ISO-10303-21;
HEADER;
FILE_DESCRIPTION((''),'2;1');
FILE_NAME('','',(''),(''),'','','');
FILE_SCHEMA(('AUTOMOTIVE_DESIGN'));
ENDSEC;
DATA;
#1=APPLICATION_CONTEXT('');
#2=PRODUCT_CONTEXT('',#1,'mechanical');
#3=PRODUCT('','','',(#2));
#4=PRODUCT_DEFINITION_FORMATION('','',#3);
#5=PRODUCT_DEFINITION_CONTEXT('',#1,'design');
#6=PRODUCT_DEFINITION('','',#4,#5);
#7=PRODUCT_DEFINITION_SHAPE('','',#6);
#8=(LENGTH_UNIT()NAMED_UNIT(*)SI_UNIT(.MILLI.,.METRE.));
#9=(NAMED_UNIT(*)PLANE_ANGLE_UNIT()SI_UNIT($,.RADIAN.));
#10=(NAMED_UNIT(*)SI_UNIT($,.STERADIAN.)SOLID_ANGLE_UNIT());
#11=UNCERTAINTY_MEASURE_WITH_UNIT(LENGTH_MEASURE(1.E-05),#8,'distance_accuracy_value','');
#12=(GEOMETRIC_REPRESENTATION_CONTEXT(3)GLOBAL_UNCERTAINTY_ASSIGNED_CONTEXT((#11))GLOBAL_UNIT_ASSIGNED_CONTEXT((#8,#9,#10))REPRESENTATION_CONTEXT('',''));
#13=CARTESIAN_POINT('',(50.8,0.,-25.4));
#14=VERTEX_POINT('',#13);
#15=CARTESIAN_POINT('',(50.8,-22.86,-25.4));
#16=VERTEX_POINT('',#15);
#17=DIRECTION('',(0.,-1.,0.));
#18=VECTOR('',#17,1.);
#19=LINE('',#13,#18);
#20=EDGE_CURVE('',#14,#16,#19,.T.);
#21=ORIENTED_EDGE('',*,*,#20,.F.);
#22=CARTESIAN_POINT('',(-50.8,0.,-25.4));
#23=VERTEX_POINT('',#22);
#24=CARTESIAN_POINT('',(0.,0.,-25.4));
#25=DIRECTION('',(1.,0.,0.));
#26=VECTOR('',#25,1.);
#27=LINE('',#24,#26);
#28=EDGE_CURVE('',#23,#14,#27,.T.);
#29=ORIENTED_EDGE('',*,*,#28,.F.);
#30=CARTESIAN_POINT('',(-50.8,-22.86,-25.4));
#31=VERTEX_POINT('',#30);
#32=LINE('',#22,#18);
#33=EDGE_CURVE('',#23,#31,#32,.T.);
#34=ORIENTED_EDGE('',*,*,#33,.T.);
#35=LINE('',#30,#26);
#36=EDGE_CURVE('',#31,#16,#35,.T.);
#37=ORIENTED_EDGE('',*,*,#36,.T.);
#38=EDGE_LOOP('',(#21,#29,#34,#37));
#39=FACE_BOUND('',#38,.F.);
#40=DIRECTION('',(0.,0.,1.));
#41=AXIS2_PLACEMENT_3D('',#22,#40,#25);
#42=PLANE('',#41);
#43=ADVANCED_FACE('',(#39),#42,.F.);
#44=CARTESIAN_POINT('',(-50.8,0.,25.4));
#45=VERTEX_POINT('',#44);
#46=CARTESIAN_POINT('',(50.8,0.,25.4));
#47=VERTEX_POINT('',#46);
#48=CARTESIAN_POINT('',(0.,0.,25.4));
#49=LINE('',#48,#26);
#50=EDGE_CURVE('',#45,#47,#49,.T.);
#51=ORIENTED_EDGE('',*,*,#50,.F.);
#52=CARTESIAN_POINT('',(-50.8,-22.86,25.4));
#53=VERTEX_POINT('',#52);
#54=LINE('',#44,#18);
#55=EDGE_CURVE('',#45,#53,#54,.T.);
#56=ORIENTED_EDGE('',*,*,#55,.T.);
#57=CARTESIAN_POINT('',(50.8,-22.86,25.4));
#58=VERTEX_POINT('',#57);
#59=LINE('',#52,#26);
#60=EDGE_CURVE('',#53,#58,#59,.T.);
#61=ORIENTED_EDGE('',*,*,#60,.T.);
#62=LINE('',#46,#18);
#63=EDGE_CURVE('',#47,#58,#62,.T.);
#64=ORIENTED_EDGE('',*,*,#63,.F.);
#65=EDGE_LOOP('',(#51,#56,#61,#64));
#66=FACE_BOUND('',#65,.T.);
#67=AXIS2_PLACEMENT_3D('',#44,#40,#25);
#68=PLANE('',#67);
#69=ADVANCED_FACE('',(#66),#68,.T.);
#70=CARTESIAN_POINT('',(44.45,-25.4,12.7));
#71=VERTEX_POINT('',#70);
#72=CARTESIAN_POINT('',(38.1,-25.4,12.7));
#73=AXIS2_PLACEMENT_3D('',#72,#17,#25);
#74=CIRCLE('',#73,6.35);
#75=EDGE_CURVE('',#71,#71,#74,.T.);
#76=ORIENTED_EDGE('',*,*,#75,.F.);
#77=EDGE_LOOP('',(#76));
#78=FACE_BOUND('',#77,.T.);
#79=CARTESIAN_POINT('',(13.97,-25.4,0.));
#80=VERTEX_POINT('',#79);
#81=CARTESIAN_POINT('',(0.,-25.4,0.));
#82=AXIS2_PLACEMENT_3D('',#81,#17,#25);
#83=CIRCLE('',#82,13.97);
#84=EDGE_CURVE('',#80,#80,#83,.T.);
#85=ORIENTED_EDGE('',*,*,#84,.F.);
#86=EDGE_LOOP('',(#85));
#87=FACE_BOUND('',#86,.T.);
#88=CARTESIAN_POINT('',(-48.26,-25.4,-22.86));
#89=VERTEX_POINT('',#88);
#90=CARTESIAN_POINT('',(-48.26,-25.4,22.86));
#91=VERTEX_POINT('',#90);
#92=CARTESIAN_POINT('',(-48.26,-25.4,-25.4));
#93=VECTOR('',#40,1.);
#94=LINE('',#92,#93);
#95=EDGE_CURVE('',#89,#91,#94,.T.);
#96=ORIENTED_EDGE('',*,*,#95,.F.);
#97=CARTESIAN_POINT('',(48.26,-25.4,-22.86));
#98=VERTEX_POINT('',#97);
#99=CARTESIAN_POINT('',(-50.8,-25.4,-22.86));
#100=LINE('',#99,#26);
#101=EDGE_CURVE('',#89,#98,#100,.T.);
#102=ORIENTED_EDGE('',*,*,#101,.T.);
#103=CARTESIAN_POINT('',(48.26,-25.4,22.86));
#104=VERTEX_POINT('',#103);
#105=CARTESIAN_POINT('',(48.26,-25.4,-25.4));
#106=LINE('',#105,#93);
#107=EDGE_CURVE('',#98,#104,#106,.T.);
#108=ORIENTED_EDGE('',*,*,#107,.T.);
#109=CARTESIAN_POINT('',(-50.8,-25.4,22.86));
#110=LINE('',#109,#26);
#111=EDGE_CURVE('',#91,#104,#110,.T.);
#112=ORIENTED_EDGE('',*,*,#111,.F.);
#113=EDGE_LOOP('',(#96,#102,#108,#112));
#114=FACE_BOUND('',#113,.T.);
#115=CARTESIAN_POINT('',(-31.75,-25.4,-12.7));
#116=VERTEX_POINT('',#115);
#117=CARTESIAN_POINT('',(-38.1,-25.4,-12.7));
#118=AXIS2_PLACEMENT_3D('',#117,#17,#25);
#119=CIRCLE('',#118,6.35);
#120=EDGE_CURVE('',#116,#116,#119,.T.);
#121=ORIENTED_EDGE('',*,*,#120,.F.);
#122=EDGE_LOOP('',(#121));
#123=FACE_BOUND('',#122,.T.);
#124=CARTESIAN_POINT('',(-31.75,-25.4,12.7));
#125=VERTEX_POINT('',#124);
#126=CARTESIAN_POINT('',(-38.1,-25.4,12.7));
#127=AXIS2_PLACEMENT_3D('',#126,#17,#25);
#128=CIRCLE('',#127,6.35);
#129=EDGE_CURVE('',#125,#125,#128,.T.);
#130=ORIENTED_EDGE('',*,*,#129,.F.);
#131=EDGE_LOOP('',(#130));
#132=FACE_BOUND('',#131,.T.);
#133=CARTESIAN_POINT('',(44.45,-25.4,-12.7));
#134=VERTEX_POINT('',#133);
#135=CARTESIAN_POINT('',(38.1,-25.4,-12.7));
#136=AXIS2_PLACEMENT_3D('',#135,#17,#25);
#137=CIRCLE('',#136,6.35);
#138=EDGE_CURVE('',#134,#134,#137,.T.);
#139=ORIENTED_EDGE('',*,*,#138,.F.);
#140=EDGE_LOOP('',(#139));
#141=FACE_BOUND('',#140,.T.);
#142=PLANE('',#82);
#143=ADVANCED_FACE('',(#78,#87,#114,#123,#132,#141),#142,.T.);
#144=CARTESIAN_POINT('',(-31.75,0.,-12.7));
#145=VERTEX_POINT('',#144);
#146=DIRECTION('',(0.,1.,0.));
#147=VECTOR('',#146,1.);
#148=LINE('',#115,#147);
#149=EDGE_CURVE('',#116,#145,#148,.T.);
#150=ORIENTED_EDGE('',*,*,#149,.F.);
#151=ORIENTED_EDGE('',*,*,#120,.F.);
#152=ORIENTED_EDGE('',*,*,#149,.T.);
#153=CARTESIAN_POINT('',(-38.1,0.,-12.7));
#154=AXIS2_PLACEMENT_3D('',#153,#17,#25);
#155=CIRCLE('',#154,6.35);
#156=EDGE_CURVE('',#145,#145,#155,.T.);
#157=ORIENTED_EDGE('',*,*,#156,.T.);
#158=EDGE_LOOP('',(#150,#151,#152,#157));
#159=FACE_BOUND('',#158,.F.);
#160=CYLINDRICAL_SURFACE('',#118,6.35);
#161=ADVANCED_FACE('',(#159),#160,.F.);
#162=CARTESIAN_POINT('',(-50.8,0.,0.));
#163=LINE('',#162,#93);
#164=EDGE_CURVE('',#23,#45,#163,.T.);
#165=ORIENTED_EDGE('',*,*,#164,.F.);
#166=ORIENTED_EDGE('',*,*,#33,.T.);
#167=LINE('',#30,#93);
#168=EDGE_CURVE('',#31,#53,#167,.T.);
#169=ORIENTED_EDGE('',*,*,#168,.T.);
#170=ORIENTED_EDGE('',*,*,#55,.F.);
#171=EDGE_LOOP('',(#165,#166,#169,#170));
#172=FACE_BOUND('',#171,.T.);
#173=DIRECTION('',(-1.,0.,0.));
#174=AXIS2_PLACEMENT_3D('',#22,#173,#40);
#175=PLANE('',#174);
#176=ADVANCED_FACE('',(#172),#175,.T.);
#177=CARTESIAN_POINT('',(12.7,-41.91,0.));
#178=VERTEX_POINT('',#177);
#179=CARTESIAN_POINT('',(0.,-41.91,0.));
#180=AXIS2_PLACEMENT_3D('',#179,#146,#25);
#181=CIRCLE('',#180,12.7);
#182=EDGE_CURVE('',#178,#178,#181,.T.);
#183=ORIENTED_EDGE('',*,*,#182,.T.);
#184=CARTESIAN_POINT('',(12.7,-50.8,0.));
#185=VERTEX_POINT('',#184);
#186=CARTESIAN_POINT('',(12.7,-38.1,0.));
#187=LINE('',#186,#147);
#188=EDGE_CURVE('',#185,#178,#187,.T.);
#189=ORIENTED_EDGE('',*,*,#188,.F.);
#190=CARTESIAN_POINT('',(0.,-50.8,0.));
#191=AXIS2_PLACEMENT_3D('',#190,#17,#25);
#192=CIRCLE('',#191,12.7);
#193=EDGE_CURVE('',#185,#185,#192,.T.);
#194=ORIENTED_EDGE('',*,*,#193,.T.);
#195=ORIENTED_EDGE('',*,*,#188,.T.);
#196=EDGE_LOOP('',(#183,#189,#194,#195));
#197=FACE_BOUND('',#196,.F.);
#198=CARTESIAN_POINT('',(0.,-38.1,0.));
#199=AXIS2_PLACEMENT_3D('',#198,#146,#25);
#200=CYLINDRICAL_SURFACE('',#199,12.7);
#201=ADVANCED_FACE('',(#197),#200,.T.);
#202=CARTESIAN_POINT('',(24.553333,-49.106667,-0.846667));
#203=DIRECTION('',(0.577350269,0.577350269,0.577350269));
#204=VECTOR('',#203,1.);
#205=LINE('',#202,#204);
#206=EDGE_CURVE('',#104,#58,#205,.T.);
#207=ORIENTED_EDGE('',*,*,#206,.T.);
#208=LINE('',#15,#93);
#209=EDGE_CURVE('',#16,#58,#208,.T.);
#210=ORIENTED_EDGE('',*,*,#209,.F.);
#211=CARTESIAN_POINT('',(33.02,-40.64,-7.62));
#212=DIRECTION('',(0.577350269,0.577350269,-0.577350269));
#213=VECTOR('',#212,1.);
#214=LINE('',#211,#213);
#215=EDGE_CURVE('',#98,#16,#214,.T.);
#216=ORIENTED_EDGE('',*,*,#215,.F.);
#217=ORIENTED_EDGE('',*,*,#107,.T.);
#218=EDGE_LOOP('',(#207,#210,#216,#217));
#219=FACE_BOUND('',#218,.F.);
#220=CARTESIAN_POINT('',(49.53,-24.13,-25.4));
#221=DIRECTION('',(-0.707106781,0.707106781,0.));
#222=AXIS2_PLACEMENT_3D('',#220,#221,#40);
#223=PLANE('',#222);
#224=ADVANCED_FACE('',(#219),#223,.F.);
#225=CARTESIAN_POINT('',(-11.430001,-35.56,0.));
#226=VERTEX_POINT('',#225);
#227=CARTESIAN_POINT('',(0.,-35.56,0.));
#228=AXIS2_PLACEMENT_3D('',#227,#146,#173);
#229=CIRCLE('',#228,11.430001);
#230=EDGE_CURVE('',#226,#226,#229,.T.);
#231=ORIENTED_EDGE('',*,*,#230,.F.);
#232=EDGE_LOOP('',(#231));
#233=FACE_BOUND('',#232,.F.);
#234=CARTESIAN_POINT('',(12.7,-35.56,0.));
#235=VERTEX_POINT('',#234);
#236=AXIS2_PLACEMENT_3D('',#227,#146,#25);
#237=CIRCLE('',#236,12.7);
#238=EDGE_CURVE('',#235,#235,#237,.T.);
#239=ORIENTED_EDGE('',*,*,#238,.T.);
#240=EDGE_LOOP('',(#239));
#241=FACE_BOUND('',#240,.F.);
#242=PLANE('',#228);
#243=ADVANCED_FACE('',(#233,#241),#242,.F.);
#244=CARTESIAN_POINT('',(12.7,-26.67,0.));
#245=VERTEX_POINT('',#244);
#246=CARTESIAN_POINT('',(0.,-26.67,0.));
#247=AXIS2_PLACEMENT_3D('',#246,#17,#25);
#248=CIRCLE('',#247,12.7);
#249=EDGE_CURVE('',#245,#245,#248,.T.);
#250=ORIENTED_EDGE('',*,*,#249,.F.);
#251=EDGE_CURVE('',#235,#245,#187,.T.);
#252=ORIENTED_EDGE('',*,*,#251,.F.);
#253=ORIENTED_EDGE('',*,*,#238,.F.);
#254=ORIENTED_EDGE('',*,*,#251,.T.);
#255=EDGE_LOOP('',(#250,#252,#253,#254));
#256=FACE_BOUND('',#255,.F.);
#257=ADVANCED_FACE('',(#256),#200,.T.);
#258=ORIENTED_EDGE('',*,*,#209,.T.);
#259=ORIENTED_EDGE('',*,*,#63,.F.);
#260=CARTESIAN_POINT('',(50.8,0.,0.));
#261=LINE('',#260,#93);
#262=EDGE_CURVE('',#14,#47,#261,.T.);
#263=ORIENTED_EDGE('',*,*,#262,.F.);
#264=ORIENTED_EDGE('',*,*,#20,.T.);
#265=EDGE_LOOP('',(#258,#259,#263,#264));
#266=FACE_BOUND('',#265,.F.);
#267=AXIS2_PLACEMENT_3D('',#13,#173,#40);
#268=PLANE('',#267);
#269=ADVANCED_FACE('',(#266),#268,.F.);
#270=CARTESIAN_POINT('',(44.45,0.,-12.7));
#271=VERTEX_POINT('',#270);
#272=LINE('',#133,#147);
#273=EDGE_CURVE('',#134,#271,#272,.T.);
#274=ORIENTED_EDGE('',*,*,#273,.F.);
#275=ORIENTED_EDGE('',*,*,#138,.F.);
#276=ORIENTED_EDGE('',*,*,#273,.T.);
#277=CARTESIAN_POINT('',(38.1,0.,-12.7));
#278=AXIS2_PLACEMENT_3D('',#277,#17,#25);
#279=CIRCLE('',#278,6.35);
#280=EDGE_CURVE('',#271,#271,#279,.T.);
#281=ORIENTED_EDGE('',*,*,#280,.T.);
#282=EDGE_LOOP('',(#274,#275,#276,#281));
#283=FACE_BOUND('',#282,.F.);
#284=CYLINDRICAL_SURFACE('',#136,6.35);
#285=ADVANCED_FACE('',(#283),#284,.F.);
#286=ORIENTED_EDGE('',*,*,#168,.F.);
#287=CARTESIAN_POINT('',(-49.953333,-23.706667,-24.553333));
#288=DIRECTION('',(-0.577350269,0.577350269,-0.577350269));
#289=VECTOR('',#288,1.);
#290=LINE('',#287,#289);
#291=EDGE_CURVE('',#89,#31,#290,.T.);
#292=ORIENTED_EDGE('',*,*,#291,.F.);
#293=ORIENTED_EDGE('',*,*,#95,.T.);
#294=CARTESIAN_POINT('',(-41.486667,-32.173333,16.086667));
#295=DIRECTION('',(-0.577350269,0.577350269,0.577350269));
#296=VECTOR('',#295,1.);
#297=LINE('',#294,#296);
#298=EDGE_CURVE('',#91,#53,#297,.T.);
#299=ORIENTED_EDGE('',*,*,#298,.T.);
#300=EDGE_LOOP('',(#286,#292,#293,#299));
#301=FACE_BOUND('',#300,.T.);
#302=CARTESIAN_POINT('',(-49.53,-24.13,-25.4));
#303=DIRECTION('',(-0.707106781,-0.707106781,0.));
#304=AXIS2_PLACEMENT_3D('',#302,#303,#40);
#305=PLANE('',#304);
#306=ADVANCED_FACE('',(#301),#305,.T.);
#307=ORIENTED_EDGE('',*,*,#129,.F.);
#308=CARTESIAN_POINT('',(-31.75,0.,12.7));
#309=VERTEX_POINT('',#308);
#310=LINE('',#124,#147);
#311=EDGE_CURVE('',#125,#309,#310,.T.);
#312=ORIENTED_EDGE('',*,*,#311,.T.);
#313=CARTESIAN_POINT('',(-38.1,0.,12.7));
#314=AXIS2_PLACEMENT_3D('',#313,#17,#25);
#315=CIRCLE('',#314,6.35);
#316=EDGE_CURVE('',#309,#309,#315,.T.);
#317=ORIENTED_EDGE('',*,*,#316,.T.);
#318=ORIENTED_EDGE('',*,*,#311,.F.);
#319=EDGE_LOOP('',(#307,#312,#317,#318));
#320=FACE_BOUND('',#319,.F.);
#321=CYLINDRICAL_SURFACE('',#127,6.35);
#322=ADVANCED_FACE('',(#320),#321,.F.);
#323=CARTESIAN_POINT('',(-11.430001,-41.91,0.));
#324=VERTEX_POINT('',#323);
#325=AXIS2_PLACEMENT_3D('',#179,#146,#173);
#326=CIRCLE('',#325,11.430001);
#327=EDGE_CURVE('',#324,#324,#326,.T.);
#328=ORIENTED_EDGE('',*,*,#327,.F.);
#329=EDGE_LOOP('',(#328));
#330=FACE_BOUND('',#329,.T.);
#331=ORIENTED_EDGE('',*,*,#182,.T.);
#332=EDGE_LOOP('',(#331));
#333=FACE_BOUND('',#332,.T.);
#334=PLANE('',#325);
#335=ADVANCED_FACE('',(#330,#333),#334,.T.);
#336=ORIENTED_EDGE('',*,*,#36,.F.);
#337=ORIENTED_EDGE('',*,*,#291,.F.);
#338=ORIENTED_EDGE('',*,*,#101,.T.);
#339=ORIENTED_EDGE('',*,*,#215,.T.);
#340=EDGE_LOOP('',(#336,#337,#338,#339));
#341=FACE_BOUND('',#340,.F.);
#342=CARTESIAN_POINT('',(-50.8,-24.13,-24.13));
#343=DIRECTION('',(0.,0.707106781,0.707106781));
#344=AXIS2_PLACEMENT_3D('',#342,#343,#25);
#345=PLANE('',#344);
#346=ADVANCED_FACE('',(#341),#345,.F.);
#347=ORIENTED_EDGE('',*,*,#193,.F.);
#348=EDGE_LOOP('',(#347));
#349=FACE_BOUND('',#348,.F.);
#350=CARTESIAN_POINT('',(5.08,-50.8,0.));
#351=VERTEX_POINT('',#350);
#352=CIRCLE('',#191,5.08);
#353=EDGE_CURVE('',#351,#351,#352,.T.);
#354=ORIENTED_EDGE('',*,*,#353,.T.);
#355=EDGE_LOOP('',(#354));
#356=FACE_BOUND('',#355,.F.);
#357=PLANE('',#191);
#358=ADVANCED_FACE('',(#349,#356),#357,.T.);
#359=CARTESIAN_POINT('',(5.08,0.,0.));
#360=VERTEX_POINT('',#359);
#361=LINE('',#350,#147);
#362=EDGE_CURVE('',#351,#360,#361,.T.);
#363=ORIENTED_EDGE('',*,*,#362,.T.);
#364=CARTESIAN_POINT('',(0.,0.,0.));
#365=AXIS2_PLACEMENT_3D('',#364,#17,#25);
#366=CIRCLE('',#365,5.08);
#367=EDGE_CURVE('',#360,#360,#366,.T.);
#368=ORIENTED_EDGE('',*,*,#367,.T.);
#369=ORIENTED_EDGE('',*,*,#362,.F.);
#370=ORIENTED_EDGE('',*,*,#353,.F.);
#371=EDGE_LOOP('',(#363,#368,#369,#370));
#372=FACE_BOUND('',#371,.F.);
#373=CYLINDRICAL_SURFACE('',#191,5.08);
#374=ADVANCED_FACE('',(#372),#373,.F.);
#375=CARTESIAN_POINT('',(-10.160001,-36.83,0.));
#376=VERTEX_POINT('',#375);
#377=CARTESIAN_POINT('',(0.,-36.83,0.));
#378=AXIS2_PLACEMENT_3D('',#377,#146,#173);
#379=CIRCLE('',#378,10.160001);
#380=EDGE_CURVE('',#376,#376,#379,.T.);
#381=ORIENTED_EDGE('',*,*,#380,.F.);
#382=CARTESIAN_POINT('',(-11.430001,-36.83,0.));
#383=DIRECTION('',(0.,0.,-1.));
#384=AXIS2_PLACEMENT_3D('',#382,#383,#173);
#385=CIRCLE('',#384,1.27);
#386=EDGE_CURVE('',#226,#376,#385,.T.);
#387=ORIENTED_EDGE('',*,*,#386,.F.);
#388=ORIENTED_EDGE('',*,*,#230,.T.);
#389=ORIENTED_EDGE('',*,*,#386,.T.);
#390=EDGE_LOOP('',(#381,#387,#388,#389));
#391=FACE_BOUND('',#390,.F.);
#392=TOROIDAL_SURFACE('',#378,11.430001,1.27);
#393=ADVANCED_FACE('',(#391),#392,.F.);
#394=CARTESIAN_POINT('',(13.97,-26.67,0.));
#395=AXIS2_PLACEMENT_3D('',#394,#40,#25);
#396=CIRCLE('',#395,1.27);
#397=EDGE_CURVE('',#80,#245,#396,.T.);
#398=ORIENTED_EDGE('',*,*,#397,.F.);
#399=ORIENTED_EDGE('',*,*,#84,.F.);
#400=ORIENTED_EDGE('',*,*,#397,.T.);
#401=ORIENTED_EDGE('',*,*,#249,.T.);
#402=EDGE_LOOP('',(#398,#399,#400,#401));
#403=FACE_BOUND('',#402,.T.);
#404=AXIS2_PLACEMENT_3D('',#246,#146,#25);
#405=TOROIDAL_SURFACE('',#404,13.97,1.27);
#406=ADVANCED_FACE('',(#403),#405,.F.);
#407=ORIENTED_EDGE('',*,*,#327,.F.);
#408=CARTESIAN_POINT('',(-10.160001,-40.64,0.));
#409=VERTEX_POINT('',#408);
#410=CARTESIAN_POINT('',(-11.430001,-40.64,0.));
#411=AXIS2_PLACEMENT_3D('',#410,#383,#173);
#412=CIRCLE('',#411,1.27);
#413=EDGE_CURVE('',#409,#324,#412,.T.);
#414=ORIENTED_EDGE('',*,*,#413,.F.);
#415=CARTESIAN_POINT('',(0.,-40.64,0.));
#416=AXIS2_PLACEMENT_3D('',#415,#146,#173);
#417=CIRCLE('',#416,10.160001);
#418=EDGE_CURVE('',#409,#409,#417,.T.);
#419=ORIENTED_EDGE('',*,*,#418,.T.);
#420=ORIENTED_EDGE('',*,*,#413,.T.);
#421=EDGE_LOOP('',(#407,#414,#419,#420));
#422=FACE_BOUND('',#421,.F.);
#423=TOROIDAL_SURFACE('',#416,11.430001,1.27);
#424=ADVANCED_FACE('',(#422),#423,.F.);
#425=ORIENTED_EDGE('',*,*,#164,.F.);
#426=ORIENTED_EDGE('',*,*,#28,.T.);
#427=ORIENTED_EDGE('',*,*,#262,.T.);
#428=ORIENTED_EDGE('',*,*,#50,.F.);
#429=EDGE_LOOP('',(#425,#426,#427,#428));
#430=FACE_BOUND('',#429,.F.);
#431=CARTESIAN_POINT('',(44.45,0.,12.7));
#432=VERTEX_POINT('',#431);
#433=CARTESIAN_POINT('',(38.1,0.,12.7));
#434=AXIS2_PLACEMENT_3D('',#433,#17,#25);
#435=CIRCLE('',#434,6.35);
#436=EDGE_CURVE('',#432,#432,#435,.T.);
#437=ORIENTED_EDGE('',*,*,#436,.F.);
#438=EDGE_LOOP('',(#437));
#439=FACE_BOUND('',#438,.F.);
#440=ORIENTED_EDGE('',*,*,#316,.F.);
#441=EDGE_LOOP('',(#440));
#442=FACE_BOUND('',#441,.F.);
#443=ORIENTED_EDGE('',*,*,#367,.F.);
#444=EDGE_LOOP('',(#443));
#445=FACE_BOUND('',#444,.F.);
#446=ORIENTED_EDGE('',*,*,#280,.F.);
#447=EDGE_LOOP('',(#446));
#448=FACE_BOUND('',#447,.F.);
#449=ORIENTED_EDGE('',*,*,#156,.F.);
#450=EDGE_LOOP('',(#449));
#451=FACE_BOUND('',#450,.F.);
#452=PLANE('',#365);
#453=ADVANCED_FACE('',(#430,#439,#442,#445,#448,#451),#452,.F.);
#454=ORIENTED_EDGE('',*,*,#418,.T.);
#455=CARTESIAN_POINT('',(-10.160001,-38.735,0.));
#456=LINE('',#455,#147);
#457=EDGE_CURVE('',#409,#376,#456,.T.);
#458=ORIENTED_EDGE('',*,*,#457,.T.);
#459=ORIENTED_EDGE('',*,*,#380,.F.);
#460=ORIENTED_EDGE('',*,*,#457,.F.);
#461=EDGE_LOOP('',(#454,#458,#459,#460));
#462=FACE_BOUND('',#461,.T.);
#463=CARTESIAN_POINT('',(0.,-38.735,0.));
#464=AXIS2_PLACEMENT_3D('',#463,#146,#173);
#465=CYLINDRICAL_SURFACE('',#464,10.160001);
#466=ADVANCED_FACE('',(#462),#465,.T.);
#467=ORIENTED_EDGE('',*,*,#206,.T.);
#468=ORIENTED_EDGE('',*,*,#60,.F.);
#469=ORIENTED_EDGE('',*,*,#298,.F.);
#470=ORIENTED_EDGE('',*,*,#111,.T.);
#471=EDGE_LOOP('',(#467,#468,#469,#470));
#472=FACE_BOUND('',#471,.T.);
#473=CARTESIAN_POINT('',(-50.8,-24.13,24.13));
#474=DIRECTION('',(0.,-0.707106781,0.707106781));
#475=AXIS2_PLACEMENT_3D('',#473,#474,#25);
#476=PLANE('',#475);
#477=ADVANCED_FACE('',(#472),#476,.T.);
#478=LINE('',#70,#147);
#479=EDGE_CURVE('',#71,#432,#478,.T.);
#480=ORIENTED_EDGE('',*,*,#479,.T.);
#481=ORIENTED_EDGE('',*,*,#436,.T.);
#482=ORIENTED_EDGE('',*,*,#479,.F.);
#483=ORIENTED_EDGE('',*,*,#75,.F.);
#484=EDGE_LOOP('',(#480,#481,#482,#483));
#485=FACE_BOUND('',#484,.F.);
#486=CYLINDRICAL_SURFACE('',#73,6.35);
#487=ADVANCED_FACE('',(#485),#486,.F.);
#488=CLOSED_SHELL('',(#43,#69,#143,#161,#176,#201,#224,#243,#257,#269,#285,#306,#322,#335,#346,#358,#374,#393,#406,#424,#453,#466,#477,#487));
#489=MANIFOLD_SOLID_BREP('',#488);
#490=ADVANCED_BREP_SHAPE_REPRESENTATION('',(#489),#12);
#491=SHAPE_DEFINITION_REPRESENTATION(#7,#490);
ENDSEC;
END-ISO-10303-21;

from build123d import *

# Parameters (mm, degrees)
F0_W      = 101.6
F0_H      = 50.8
F1_DEPTH  = 25.4
F2_R      = 6.35
F3_DEPTH  = 25.401
F4_W      = 12.7
F4_H      = 25.4
F6_W      = 14.885251
F6_H      = 6.35
F8_R      = 1.27
F9_SIZE   = 2.54
F10_R     = 5.08
F11_DEPTH = 50.801


with BuildPart() as f1:
    # F0 (on Front) → F1 (new body)
    with BuildSketch(Plane.XZ):
        Rectangle(F0_W, F0_H)
    extrude(amount=F1_DEPTH)

    # F2 (on face) → F3 (cut, through all)
    with BuildSketch(Plane.XZ.offset(25.4)):
        with Locations((-38.1, 12.7)):
            Circle(F2_R)
        with Locations((38.1, 12.7)):
            Circle(F2_R)
        with Locations((38.1, -12.7)):
            Circle(F2_R)
        with Locations((-38.1, -12.7)):
            Circle(F2_R)
    extrude(amount=-F3_DEPTH, mode=Mode.SUBTRACT)

    # F4 (on Top) → F5 (revolve)
    with BuildSketch(Plane.XY):
        with Locations((6.35, -38.1)):
            Rectangle(F4_W, F4_H)
    revolve(axis=Axis((0, -38.1, 0), (0, -1, 0)))

    # F6 (on Top) → F7 (revolve, cut)
    with BuildSketch(Plane.XY):
        with Locations((-17.602626, -38.735)):
            Rectangle(F6_W, F6_H)
    revolve(axis=Axis((0, -35.056077, 0), (0, 1, 0)), mode=Mode.SUBTRACT)

    # F8
    f8_edges = [f1.edges().sort_by_distance(p)[0] for p in [
        (-12.7, -25.4, 0),
        (10.16, -35.56, 0),
        (10.16, -41.91, 0),
    ]]
    fillet(f8_edges, radius=F8_R)

    # F9
    f9_edges = [f1.edges().sort_by_distance(p)[0] for p in [
        (0, -25.4, -25.4),
        (0, -25.4, 25.4),
        (50.8, -25.4, 0),
        (-50.8, -25.4, 0),
    ]]
    chamfer(f9_edges, length=F9_SIZE)

    # F10 (on face) → F11 (cut, through all)
    with BuildSketch(Plane.XZ.offset(50.8)):
        Circle(F10_R)
    extrude(amount=-F11_DEPTH, mode=Mode.SUBTRACT)


solid = f1.part
